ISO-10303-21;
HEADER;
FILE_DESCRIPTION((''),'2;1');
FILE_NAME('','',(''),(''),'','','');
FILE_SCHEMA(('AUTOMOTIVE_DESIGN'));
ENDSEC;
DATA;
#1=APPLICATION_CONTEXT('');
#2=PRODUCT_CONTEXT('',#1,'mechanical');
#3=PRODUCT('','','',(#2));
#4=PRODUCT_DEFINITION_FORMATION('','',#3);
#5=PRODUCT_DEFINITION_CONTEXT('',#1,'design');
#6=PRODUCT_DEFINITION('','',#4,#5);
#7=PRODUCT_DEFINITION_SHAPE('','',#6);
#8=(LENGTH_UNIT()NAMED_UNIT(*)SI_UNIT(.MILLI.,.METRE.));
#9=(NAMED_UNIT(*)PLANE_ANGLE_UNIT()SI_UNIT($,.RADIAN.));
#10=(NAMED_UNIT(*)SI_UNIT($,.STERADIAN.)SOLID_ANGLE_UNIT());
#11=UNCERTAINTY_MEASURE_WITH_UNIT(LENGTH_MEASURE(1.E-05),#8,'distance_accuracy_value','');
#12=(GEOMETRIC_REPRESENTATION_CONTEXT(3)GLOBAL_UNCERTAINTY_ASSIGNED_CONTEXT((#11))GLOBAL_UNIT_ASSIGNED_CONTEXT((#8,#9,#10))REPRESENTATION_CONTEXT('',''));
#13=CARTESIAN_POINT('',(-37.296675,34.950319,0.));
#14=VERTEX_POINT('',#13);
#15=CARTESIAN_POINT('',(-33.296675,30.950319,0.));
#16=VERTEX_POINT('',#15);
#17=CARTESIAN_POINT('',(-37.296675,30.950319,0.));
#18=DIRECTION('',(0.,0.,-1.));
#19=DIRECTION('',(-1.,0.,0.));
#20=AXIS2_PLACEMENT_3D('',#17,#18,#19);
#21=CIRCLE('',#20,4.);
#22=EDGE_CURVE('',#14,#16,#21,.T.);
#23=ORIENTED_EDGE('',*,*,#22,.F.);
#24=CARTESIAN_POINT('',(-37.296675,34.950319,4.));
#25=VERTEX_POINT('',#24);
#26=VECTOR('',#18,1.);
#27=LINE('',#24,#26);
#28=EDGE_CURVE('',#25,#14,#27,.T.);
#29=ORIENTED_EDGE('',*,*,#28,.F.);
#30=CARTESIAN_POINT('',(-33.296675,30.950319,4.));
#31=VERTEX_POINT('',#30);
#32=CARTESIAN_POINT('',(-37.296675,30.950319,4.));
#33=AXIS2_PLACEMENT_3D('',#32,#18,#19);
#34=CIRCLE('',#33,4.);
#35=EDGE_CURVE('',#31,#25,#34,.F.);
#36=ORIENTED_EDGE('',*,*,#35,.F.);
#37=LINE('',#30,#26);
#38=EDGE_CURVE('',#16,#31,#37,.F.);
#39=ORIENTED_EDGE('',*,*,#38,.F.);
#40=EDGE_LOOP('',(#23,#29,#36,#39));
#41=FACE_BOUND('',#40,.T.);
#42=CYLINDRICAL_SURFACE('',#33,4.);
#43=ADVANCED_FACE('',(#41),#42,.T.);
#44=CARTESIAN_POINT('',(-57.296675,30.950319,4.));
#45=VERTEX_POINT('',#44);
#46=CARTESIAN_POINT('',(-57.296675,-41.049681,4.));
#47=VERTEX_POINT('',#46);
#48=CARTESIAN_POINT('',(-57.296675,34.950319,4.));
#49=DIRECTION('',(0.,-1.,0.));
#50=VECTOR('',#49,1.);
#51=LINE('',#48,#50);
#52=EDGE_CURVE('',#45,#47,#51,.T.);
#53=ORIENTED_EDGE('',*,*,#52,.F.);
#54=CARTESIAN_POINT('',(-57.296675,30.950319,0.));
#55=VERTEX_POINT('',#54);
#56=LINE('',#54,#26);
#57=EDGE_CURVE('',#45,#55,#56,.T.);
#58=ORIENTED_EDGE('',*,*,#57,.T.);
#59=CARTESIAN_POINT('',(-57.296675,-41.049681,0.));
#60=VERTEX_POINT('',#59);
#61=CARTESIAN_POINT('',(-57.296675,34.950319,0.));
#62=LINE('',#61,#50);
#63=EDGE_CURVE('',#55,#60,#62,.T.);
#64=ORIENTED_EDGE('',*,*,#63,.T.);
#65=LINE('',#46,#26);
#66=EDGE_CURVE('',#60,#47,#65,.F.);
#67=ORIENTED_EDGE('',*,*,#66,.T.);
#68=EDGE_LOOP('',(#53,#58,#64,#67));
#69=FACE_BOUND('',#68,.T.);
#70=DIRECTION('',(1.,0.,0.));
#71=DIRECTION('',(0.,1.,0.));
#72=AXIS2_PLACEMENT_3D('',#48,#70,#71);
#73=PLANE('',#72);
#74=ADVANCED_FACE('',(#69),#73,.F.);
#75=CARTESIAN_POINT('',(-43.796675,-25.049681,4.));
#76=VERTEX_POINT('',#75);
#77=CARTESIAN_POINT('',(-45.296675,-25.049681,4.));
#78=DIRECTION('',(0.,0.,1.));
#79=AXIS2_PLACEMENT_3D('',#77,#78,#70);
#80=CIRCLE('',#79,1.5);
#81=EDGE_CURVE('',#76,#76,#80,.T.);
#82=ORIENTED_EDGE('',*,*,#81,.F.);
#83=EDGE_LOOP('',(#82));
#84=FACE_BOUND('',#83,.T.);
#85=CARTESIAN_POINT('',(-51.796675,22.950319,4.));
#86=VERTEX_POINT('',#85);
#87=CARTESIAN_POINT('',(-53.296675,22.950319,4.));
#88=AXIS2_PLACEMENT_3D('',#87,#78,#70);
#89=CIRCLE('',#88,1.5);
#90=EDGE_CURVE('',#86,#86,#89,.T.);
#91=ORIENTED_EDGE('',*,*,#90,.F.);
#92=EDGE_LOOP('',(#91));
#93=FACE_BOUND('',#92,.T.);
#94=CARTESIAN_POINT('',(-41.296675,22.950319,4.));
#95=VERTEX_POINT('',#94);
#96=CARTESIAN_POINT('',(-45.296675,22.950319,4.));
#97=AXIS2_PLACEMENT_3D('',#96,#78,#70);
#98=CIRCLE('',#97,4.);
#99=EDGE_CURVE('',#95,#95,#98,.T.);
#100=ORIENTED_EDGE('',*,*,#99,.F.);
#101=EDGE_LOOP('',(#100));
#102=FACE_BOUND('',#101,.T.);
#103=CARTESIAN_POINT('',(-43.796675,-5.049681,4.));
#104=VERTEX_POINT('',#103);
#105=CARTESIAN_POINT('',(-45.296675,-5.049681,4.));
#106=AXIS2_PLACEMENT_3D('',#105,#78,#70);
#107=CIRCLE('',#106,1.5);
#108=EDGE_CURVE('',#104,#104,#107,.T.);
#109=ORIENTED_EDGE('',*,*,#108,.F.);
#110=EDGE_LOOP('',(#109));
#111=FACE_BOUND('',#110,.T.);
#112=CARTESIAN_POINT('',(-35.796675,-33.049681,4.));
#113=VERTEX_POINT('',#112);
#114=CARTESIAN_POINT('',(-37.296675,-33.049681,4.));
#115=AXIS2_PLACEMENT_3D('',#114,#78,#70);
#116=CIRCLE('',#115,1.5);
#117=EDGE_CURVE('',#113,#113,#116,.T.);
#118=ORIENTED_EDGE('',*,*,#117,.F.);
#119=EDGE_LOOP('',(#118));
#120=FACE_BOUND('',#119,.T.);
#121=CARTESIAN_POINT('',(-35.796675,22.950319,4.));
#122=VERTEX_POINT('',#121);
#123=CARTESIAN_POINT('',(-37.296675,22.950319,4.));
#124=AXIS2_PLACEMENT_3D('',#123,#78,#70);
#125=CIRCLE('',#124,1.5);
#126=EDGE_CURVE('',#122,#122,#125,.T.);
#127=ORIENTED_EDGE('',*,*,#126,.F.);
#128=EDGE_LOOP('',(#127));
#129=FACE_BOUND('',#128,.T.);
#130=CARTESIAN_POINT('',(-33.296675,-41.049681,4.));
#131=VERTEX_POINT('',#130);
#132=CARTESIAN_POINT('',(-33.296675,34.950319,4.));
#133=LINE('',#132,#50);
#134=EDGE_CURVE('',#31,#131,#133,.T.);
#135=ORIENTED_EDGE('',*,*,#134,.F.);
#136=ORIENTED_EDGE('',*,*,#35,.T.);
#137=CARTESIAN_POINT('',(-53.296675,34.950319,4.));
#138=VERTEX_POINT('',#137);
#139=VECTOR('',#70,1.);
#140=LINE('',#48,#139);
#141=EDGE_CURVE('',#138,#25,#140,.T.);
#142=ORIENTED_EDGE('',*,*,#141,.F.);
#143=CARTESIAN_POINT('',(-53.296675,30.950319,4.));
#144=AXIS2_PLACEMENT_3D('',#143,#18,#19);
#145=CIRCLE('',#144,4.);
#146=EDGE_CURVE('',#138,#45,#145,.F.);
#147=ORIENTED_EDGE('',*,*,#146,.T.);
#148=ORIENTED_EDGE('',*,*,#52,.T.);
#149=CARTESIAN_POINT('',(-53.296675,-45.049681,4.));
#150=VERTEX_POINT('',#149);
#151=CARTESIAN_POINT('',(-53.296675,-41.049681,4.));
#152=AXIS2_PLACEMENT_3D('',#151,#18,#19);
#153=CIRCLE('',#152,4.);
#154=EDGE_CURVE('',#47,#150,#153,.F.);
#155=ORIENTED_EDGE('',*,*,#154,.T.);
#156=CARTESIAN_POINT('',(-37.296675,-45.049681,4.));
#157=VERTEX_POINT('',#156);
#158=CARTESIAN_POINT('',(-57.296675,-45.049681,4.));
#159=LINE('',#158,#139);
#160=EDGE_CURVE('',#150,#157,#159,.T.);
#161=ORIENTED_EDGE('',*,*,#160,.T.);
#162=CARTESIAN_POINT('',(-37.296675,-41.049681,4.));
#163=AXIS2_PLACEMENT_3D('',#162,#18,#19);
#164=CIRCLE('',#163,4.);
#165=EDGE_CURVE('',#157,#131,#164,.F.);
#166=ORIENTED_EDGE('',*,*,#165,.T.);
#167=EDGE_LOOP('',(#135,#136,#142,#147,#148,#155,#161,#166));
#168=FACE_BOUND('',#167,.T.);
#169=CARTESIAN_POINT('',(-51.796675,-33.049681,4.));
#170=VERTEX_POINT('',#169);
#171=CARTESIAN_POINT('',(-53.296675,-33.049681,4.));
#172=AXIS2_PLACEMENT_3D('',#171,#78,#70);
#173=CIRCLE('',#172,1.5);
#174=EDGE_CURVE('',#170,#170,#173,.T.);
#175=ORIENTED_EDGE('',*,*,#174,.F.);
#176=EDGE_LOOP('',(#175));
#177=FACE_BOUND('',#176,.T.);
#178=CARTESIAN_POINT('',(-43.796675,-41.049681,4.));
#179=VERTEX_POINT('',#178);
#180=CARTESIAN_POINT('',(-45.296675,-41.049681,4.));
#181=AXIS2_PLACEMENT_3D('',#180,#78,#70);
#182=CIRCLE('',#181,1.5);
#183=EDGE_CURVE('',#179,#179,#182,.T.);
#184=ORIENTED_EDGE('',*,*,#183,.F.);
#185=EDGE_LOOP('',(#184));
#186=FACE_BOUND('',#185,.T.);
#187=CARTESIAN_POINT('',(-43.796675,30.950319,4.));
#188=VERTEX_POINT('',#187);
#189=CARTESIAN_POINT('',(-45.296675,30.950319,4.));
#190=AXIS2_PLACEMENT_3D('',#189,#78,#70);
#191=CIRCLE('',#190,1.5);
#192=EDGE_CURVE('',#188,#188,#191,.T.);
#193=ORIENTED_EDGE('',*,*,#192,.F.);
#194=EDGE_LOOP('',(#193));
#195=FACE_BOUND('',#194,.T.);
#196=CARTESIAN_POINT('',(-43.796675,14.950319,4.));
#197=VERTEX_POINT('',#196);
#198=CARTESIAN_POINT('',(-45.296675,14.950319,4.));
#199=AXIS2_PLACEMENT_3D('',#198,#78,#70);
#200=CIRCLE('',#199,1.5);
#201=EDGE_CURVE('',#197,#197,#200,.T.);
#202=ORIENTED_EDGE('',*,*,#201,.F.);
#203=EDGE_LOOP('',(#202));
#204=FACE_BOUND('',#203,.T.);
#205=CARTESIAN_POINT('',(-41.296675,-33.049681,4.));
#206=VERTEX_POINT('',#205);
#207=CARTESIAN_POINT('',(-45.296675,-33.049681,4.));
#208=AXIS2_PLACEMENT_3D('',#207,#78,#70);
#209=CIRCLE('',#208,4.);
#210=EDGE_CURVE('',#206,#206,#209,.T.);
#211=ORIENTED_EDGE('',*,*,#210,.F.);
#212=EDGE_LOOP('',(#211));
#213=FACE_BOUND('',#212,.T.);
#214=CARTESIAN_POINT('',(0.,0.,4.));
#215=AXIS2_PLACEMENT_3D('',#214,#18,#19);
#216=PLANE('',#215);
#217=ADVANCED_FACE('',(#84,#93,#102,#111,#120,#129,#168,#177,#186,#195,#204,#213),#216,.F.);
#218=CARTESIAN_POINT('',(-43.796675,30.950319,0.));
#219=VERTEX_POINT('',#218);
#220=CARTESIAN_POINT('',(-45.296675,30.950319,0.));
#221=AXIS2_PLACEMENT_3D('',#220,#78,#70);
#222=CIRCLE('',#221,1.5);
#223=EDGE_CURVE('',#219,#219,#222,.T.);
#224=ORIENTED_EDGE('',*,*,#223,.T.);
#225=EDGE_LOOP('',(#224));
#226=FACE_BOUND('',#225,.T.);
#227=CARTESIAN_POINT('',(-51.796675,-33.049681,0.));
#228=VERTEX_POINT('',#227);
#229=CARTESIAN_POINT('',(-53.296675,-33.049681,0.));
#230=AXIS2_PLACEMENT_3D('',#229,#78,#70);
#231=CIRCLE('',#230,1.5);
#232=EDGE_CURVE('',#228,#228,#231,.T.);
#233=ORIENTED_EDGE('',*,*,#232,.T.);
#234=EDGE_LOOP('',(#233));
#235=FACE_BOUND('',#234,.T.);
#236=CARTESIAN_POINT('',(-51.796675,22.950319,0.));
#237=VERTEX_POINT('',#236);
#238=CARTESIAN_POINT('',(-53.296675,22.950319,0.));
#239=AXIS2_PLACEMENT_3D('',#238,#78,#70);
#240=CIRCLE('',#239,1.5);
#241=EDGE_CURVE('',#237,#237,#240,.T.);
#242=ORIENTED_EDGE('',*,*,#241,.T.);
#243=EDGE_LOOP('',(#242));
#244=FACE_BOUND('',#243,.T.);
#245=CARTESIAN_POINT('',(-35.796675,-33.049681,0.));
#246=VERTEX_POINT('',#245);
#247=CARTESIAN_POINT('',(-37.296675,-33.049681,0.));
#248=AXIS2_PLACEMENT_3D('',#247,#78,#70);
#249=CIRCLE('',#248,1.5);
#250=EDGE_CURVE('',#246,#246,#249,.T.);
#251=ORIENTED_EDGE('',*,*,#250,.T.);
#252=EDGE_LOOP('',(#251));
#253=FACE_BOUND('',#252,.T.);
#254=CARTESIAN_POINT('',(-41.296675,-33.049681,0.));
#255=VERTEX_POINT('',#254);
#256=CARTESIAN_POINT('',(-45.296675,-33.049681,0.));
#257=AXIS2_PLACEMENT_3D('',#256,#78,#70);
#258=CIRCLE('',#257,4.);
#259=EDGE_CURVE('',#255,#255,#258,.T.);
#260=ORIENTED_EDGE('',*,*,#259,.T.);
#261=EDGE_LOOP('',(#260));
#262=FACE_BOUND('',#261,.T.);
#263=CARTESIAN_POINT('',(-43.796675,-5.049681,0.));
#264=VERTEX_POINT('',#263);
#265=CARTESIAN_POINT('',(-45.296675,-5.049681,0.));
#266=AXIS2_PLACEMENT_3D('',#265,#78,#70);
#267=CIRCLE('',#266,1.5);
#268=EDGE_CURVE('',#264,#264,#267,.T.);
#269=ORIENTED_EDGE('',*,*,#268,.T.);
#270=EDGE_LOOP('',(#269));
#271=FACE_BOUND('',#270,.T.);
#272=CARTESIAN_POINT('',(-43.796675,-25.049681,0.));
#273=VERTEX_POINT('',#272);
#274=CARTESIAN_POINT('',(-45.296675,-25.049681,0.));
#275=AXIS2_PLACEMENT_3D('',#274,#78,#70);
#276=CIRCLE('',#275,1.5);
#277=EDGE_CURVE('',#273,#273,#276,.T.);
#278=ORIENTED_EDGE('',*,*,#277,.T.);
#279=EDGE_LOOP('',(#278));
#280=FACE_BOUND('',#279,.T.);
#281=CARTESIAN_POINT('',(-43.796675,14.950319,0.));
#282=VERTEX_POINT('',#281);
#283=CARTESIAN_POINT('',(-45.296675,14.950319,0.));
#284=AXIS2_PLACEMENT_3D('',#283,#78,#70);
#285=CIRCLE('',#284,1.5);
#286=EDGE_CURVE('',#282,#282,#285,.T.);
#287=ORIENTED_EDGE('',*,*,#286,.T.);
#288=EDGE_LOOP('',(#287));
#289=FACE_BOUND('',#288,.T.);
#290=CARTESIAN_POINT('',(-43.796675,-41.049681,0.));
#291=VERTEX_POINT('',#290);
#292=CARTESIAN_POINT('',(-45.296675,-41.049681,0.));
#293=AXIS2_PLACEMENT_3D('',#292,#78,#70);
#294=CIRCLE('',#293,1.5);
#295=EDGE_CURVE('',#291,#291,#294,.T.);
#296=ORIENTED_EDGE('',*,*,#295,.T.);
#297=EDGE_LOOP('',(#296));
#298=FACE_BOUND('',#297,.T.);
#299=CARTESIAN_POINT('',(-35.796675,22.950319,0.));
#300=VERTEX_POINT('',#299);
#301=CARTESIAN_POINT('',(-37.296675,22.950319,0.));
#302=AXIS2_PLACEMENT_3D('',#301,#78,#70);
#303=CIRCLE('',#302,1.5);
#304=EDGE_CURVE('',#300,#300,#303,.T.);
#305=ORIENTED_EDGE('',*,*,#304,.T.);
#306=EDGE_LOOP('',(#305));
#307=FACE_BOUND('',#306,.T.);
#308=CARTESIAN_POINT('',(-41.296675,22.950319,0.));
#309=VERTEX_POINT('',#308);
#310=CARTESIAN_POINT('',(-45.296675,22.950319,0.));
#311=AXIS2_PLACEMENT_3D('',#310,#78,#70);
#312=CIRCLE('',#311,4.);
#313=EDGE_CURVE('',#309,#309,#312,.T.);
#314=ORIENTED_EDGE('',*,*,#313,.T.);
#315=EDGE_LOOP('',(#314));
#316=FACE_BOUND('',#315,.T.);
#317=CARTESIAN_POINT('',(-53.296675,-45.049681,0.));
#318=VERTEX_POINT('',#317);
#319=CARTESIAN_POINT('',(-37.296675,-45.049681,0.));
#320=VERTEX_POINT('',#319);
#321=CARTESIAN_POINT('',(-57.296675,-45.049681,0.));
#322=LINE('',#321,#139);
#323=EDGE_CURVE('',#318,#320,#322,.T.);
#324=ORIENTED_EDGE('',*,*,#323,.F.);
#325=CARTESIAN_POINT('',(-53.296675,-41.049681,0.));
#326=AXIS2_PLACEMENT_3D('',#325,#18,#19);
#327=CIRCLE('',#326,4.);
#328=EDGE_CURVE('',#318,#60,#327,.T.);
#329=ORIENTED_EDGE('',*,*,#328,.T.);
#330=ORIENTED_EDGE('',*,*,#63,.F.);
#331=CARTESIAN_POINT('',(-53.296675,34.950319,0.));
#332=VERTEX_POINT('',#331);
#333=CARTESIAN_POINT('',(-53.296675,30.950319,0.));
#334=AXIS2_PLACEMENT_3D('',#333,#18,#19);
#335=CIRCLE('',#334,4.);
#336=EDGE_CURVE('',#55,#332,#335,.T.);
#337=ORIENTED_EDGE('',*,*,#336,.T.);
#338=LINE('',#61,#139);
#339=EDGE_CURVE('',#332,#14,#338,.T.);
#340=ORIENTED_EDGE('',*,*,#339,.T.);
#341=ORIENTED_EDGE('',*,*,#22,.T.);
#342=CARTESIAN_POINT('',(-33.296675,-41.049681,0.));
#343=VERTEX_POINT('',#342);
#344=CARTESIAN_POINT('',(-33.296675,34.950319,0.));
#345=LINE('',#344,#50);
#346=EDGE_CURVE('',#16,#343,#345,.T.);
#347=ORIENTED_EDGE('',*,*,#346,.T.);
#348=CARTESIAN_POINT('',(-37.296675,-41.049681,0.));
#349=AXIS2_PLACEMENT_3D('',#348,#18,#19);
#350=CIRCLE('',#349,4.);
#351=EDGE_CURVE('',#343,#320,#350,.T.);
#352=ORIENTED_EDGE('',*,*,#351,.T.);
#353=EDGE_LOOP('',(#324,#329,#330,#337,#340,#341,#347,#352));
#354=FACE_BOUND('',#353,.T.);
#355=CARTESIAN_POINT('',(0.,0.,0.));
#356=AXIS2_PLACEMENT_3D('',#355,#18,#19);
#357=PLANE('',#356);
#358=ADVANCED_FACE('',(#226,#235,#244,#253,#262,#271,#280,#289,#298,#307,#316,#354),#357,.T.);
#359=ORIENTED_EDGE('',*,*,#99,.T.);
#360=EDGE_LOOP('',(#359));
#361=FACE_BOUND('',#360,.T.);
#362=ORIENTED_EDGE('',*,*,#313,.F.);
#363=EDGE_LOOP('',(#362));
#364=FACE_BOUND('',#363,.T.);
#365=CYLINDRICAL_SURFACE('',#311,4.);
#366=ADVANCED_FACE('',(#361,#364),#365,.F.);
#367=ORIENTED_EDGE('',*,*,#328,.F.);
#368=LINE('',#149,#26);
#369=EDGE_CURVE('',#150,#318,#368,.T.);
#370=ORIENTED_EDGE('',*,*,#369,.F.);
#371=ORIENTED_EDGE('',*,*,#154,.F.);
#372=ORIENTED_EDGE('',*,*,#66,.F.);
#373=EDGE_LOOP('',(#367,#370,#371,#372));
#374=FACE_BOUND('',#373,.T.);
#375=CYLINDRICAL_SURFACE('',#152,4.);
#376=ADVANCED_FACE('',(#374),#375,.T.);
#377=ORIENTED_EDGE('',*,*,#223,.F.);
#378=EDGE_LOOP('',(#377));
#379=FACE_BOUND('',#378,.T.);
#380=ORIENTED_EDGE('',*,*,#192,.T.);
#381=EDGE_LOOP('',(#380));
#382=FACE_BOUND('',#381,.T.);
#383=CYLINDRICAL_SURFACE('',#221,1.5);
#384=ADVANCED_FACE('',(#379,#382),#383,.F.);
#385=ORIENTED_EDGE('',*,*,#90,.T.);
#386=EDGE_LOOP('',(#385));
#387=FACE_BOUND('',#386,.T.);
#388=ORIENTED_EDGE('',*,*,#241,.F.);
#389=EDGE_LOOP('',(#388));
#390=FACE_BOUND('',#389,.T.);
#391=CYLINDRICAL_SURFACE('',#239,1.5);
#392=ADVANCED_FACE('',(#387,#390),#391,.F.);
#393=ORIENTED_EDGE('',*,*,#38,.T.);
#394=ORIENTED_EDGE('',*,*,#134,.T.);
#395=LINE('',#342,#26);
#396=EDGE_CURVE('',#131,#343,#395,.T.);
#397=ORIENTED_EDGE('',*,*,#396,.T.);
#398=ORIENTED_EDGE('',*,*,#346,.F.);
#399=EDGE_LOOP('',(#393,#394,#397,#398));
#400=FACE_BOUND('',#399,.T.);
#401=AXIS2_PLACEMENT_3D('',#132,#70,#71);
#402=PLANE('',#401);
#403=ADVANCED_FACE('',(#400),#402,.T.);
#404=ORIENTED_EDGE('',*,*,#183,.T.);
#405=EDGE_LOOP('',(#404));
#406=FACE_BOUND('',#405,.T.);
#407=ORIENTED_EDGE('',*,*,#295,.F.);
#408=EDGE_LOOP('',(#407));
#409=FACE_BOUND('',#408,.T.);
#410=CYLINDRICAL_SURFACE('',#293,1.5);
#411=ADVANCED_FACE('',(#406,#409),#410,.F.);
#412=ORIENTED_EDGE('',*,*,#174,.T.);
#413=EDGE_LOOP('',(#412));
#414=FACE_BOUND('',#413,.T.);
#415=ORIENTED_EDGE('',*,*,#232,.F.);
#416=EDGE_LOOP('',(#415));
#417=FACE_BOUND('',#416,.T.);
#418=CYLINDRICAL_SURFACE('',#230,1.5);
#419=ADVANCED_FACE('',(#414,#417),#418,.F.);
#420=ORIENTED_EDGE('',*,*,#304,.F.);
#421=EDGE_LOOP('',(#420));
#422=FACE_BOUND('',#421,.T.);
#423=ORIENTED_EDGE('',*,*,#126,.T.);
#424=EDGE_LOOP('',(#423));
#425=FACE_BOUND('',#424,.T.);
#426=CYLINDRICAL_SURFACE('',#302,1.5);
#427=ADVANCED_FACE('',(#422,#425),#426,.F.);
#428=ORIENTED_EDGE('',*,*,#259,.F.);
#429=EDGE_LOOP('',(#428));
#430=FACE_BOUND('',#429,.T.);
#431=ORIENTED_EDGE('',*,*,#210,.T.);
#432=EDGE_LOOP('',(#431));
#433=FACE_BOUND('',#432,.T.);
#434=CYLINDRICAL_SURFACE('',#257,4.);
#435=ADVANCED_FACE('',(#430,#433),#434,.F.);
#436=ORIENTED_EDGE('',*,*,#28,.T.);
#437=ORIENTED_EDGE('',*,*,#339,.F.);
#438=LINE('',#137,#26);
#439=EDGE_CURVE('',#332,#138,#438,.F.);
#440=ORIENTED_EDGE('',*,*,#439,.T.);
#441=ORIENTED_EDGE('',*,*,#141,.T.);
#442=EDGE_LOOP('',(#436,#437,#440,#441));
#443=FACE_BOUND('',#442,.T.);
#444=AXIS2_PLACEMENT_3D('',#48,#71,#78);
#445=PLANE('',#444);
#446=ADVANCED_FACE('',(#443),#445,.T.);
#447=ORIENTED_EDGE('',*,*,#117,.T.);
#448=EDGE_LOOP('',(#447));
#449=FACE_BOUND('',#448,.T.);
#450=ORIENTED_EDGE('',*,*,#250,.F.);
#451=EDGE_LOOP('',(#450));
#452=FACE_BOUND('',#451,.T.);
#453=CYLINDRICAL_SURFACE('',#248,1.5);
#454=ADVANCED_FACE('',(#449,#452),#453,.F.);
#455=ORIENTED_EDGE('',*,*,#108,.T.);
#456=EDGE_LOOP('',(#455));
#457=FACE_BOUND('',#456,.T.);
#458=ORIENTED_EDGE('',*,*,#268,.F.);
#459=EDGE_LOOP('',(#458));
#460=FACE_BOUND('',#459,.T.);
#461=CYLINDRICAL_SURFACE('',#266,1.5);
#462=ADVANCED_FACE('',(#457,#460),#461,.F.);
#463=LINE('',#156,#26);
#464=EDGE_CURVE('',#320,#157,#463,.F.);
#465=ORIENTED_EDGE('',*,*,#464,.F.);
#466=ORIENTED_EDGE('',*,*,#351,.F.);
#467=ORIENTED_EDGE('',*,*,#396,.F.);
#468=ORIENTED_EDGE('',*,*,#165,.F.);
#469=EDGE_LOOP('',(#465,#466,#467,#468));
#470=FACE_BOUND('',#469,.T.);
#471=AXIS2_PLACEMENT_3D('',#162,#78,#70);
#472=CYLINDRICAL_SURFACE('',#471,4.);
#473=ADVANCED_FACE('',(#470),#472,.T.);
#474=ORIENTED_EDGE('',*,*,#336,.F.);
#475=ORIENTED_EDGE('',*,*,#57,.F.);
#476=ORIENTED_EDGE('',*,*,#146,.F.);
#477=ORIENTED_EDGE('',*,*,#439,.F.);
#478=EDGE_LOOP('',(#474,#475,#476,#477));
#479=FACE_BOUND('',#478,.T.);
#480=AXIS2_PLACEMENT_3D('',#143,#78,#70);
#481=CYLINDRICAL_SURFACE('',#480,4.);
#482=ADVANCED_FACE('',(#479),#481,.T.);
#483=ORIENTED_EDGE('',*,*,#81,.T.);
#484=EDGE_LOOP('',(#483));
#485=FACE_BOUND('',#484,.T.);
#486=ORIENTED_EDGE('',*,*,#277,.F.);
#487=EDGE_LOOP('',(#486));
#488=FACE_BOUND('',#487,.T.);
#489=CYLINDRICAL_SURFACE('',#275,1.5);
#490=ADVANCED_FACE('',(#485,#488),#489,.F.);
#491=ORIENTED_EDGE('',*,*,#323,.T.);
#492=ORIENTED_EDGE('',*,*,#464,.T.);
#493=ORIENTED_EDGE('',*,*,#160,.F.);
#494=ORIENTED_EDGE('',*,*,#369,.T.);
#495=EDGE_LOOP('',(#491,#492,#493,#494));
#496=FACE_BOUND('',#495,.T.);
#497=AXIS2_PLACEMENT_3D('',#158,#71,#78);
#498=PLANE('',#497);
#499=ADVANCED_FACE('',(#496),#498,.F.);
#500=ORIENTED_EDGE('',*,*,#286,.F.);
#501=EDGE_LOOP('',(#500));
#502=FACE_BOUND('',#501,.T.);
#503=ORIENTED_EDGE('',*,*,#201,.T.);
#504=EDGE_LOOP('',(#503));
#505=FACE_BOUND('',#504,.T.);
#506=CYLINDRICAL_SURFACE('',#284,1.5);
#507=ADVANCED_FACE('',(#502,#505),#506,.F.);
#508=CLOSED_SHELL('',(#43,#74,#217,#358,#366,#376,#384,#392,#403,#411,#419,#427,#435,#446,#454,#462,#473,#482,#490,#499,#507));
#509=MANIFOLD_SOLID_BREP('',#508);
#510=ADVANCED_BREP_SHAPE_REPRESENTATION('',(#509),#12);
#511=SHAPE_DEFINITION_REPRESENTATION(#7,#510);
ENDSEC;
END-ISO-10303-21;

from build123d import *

# Parameters (mm, degrees)
SKETCH1_W           = 24
SKETCH1_H           = 80
BOSS_EXTRUDE1_DEPTH = 4
SKETCH2_R           = 4
SKETCH2_R_2         = 1.5
CUT_EXTRUDE1_DEPTH  = 4
FILLET1_R           = 4
SKETCH3_R           = 1.5
CUT_EXTRUDE2_DEPTH  = 4


with BuildPart() as part:
    # Sketch1 → Boss-Extrude1 (new body)
    with BuildSketch(Plane.XY):
        with Locations((-45.296675466, -5.049681021)):
            Rectangle(SKETCH1_W, SKETCH1_H)
    extrude(amount=BOSS_EXTRUDE1_DEPTH)

    # Sketch2 → Cut-Extrude1 (cut)
    with BuildSketch(Plane.XY.offset(4)):
        with Locations((-45.296675466, -33.049681021)):
            Circle(SKETCH2_R)
        with Locations((-37.296675466, -33.049681021)):
            Circle(SKETCH2_R_2)
        with Locations((-45.296675466, -41.049681021)):
            Circle(SKETCH2_R_2)
        with Locations((-53.296675466, -33.049681021)):
            Circle(SKETCH2_R_2)
        with Locations((-45.296675466, -25.049681021)):
            Circle(SKETCH2_R_2)
        with Locations((-45.296675466, 30.950318979)):
            Circle(SKETCH2_R_2)
        with Locations((-37.296675466, 22.950318979)):
            Circle(SKETCH2_R_2)
        with Locations((-45.296675466, 14.950318979)):
            Circle(SKETCH2_R_2)
        with Locations((-53.296675466, 22.950318979)):
            Circle(SKETCH2_R_2)
        with Locations((-45.296675466, 22.950318979)):
            Circle(SKETCH2_R)
    extrude(amount=-CUT_EXTRUDE1_DEPTH, mode=Mode.SUBTRACT)

    # Fillet1
    fillet1_edges = [part.edges().sort_by_distance(p)[0] for p in [
        (-57.296675466, 34.950318979, 2),
        (-57.296675466, -45.049681021, 2),
        (-33.296675466, -45.049681021, 2),
        (-33.296675466, 34.950318979, 2),
    ]]
    fillet(fillet1_edges, radius=FILLET1_R)

    # Sketch3 → Cut-Extrude2 (cut)
    with BuildSketch(Plane.XY.offset(4)):
        with Locations((-45.296675466, -5.049681021)):
            Circle(SKETCH3_R)
    extrude(amount=-CUT_EXTRUDE2_DEPTH, mode=Mode.SUBTRACT)


solid = part.part
